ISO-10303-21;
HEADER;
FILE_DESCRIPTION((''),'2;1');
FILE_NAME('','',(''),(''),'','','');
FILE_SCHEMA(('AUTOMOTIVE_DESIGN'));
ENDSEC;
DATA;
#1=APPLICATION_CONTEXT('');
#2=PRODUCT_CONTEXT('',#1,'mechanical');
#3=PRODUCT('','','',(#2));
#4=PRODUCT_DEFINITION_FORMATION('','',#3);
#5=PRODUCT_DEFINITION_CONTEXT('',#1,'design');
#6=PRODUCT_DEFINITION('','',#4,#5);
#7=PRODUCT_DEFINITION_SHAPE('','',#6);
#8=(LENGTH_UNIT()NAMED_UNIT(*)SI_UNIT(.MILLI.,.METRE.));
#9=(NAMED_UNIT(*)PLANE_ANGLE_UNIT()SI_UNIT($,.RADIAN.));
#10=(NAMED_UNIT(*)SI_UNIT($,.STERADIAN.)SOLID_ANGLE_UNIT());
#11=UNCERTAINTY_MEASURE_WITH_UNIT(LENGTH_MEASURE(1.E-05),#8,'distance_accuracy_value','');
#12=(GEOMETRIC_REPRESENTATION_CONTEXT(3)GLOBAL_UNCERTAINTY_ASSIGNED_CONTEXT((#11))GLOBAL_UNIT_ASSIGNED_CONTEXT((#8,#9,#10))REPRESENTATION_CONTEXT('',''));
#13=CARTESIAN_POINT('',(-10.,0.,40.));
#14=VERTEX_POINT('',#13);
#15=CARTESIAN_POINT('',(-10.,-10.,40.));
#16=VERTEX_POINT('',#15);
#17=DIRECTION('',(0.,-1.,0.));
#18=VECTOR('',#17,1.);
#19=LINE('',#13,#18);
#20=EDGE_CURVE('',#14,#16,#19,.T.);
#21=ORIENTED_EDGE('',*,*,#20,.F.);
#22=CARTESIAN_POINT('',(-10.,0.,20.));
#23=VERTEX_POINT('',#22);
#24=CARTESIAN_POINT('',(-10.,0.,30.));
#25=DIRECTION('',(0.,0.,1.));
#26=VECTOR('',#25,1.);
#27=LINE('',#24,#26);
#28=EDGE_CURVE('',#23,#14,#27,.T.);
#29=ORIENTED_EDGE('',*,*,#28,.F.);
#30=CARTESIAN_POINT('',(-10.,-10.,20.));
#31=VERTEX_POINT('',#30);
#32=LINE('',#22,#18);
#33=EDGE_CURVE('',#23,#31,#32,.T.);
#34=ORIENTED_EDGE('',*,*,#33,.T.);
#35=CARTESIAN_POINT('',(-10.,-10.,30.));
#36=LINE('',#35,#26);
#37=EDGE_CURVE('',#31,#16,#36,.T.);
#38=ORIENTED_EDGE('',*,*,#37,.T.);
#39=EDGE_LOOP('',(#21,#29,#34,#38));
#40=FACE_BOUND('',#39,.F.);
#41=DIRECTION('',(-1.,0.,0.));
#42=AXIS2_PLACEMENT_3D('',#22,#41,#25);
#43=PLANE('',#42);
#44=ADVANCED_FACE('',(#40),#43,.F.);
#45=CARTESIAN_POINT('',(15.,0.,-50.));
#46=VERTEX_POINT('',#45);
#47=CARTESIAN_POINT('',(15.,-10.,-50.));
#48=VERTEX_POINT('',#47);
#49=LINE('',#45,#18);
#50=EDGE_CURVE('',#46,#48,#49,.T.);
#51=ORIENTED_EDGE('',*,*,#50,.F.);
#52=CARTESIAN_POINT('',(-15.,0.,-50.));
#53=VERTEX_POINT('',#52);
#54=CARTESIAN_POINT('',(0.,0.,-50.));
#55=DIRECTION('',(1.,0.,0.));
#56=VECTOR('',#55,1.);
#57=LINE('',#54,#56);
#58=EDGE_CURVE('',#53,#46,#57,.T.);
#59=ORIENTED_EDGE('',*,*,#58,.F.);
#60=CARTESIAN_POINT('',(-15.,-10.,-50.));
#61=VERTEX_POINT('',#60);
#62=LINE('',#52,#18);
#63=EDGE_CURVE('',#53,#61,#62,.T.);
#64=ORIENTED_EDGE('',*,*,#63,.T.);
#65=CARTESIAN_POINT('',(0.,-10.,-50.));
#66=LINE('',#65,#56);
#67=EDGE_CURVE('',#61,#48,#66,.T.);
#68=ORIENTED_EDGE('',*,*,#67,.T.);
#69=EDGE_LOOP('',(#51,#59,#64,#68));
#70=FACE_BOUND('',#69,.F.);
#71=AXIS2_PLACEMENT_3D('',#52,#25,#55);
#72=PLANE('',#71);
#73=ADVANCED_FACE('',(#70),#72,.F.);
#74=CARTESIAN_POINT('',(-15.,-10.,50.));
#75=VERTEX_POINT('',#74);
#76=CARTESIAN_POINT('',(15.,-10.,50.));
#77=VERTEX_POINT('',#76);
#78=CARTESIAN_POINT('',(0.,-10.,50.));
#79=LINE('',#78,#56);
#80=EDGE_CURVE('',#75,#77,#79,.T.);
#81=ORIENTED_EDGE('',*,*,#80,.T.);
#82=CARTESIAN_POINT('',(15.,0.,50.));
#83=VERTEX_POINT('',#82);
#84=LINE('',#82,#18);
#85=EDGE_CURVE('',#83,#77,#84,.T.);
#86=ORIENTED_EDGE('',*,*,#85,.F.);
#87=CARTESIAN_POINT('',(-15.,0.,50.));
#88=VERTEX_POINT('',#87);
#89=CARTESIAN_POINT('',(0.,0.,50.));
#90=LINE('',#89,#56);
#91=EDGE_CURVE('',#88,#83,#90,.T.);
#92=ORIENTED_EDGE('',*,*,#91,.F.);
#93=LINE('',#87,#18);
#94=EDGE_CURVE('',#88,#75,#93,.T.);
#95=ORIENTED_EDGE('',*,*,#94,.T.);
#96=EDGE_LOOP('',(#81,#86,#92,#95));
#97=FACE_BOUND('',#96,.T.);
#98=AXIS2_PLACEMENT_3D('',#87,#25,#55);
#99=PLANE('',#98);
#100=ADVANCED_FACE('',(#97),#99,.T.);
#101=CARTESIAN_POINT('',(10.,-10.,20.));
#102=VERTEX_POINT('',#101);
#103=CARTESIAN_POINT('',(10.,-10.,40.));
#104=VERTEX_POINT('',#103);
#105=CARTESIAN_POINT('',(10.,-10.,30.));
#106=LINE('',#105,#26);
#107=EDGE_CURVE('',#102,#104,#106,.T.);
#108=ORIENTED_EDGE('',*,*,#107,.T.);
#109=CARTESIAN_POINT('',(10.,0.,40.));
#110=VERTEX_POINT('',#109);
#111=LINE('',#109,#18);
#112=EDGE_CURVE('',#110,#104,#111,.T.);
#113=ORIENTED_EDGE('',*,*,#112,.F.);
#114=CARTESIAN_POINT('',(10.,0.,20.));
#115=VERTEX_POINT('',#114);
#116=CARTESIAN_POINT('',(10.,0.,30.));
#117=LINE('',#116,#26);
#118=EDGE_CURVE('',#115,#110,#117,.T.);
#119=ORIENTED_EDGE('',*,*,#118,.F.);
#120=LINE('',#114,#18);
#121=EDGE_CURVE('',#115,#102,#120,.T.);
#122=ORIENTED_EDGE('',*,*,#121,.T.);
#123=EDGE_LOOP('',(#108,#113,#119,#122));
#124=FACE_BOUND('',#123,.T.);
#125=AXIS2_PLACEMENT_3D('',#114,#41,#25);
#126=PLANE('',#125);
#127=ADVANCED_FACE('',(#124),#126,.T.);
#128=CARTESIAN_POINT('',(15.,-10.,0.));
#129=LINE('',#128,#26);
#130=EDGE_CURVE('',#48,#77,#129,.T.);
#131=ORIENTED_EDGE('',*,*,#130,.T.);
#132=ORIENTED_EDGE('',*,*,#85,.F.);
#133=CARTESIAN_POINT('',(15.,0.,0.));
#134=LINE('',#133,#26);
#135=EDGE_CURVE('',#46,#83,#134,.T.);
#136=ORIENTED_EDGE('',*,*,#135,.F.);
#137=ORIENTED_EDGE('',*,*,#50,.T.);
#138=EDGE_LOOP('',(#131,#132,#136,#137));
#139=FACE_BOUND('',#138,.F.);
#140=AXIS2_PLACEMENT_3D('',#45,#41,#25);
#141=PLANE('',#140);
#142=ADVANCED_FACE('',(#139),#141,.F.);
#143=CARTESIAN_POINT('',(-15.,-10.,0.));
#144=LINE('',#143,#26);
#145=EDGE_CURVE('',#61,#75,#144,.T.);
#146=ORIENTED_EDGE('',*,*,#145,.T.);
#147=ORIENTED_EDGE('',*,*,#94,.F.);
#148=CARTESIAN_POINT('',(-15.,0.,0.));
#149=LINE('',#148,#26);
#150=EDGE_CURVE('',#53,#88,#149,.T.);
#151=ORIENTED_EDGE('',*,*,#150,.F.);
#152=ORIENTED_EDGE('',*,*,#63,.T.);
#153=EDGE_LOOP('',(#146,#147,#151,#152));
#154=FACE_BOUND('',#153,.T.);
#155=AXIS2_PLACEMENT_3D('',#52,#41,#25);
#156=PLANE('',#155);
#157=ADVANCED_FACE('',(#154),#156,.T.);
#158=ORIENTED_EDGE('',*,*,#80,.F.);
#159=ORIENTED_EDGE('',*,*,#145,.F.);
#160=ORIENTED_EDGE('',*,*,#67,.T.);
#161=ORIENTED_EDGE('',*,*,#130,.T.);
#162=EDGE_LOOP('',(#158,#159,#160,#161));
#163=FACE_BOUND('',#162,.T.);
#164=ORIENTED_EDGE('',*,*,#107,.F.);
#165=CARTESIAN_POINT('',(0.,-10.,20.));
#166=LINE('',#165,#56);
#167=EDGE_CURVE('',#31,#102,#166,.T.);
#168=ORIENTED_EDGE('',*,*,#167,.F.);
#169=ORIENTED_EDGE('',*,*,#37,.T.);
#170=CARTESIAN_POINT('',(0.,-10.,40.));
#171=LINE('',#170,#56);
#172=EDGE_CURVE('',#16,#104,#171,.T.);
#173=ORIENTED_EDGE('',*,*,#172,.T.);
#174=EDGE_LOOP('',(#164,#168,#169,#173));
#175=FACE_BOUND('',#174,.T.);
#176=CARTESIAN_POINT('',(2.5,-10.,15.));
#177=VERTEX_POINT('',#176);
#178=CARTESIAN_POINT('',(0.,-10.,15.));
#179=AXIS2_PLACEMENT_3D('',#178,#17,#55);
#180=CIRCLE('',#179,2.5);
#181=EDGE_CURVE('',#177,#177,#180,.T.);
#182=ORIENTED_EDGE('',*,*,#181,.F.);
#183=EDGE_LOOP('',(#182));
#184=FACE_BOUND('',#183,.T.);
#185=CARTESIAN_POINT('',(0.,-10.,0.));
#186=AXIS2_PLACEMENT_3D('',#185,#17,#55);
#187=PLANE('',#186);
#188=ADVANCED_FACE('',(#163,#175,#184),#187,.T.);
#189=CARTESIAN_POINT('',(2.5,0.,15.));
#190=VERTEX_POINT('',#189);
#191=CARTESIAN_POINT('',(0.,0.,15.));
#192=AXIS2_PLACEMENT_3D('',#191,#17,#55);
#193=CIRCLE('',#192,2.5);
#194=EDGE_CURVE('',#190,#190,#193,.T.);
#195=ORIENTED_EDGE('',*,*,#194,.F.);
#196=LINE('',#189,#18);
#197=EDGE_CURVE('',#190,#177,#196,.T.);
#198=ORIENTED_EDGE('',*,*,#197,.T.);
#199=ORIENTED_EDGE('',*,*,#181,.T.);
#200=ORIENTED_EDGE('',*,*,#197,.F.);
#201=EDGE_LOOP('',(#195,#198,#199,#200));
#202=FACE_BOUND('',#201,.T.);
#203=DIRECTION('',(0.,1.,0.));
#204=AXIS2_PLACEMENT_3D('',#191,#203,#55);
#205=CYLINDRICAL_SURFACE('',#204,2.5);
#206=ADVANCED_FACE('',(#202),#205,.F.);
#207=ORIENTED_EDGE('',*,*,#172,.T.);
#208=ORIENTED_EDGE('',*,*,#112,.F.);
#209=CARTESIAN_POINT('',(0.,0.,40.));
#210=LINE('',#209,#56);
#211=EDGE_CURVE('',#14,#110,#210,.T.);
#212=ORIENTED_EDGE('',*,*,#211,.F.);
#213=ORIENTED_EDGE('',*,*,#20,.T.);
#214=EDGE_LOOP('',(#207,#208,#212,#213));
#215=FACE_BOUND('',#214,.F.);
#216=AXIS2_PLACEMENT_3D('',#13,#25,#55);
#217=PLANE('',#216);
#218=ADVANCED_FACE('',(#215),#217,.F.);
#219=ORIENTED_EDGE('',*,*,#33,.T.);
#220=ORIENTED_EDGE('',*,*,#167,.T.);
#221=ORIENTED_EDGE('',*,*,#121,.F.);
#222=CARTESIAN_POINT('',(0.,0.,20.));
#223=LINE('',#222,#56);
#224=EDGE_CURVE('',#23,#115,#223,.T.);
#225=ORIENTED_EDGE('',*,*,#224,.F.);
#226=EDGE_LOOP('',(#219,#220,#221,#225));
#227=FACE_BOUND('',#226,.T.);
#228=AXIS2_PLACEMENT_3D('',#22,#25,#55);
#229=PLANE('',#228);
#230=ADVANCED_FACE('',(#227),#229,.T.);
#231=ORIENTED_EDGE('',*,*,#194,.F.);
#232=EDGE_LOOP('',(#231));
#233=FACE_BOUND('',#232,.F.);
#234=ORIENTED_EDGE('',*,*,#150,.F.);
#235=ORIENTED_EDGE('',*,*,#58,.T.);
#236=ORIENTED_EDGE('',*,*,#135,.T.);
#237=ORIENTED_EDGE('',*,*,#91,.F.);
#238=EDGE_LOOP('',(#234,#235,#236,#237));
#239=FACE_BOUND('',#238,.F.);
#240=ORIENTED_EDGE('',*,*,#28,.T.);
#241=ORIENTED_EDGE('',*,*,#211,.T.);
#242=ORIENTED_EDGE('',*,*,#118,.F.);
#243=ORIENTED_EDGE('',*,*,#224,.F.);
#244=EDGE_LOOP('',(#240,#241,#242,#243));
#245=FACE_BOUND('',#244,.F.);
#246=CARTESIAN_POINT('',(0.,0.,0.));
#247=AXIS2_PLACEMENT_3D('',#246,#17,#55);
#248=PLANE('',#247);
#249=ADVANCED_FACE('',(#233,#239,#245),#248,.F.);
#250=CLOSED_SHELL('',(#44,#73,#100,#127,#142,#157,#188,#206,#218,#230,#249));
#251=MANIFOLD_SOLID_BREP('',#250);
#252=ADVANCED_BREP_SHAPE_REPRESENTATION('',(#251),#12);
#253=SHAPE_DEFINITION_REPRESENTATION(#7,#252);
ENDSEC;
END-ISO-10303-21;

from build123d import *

# Parameters (mm, degrees)
F0_W     = 30
F0_H     = 100
F0_R     = 2.5
F0_W_2   = 20
F0_H_2   = 20
F1_DEPTH = 10


with BuildPart() as f1:
    # F0 (on Front) → F1 (new body)
    with BuildSketch(Plane.XZ):
        Rectangle(F0_W, F0_H)
        with Locations((0, 15)):
            Circle(F0_R, mode=Mode.SUBTRACT)
        with Locations((0, 30)):
            Rectangle(F0_W_2, F0_H_2, mode=Mode.SUBTRACT)
    extrude(amount=F1_DEPTH)


solid = f1.part
